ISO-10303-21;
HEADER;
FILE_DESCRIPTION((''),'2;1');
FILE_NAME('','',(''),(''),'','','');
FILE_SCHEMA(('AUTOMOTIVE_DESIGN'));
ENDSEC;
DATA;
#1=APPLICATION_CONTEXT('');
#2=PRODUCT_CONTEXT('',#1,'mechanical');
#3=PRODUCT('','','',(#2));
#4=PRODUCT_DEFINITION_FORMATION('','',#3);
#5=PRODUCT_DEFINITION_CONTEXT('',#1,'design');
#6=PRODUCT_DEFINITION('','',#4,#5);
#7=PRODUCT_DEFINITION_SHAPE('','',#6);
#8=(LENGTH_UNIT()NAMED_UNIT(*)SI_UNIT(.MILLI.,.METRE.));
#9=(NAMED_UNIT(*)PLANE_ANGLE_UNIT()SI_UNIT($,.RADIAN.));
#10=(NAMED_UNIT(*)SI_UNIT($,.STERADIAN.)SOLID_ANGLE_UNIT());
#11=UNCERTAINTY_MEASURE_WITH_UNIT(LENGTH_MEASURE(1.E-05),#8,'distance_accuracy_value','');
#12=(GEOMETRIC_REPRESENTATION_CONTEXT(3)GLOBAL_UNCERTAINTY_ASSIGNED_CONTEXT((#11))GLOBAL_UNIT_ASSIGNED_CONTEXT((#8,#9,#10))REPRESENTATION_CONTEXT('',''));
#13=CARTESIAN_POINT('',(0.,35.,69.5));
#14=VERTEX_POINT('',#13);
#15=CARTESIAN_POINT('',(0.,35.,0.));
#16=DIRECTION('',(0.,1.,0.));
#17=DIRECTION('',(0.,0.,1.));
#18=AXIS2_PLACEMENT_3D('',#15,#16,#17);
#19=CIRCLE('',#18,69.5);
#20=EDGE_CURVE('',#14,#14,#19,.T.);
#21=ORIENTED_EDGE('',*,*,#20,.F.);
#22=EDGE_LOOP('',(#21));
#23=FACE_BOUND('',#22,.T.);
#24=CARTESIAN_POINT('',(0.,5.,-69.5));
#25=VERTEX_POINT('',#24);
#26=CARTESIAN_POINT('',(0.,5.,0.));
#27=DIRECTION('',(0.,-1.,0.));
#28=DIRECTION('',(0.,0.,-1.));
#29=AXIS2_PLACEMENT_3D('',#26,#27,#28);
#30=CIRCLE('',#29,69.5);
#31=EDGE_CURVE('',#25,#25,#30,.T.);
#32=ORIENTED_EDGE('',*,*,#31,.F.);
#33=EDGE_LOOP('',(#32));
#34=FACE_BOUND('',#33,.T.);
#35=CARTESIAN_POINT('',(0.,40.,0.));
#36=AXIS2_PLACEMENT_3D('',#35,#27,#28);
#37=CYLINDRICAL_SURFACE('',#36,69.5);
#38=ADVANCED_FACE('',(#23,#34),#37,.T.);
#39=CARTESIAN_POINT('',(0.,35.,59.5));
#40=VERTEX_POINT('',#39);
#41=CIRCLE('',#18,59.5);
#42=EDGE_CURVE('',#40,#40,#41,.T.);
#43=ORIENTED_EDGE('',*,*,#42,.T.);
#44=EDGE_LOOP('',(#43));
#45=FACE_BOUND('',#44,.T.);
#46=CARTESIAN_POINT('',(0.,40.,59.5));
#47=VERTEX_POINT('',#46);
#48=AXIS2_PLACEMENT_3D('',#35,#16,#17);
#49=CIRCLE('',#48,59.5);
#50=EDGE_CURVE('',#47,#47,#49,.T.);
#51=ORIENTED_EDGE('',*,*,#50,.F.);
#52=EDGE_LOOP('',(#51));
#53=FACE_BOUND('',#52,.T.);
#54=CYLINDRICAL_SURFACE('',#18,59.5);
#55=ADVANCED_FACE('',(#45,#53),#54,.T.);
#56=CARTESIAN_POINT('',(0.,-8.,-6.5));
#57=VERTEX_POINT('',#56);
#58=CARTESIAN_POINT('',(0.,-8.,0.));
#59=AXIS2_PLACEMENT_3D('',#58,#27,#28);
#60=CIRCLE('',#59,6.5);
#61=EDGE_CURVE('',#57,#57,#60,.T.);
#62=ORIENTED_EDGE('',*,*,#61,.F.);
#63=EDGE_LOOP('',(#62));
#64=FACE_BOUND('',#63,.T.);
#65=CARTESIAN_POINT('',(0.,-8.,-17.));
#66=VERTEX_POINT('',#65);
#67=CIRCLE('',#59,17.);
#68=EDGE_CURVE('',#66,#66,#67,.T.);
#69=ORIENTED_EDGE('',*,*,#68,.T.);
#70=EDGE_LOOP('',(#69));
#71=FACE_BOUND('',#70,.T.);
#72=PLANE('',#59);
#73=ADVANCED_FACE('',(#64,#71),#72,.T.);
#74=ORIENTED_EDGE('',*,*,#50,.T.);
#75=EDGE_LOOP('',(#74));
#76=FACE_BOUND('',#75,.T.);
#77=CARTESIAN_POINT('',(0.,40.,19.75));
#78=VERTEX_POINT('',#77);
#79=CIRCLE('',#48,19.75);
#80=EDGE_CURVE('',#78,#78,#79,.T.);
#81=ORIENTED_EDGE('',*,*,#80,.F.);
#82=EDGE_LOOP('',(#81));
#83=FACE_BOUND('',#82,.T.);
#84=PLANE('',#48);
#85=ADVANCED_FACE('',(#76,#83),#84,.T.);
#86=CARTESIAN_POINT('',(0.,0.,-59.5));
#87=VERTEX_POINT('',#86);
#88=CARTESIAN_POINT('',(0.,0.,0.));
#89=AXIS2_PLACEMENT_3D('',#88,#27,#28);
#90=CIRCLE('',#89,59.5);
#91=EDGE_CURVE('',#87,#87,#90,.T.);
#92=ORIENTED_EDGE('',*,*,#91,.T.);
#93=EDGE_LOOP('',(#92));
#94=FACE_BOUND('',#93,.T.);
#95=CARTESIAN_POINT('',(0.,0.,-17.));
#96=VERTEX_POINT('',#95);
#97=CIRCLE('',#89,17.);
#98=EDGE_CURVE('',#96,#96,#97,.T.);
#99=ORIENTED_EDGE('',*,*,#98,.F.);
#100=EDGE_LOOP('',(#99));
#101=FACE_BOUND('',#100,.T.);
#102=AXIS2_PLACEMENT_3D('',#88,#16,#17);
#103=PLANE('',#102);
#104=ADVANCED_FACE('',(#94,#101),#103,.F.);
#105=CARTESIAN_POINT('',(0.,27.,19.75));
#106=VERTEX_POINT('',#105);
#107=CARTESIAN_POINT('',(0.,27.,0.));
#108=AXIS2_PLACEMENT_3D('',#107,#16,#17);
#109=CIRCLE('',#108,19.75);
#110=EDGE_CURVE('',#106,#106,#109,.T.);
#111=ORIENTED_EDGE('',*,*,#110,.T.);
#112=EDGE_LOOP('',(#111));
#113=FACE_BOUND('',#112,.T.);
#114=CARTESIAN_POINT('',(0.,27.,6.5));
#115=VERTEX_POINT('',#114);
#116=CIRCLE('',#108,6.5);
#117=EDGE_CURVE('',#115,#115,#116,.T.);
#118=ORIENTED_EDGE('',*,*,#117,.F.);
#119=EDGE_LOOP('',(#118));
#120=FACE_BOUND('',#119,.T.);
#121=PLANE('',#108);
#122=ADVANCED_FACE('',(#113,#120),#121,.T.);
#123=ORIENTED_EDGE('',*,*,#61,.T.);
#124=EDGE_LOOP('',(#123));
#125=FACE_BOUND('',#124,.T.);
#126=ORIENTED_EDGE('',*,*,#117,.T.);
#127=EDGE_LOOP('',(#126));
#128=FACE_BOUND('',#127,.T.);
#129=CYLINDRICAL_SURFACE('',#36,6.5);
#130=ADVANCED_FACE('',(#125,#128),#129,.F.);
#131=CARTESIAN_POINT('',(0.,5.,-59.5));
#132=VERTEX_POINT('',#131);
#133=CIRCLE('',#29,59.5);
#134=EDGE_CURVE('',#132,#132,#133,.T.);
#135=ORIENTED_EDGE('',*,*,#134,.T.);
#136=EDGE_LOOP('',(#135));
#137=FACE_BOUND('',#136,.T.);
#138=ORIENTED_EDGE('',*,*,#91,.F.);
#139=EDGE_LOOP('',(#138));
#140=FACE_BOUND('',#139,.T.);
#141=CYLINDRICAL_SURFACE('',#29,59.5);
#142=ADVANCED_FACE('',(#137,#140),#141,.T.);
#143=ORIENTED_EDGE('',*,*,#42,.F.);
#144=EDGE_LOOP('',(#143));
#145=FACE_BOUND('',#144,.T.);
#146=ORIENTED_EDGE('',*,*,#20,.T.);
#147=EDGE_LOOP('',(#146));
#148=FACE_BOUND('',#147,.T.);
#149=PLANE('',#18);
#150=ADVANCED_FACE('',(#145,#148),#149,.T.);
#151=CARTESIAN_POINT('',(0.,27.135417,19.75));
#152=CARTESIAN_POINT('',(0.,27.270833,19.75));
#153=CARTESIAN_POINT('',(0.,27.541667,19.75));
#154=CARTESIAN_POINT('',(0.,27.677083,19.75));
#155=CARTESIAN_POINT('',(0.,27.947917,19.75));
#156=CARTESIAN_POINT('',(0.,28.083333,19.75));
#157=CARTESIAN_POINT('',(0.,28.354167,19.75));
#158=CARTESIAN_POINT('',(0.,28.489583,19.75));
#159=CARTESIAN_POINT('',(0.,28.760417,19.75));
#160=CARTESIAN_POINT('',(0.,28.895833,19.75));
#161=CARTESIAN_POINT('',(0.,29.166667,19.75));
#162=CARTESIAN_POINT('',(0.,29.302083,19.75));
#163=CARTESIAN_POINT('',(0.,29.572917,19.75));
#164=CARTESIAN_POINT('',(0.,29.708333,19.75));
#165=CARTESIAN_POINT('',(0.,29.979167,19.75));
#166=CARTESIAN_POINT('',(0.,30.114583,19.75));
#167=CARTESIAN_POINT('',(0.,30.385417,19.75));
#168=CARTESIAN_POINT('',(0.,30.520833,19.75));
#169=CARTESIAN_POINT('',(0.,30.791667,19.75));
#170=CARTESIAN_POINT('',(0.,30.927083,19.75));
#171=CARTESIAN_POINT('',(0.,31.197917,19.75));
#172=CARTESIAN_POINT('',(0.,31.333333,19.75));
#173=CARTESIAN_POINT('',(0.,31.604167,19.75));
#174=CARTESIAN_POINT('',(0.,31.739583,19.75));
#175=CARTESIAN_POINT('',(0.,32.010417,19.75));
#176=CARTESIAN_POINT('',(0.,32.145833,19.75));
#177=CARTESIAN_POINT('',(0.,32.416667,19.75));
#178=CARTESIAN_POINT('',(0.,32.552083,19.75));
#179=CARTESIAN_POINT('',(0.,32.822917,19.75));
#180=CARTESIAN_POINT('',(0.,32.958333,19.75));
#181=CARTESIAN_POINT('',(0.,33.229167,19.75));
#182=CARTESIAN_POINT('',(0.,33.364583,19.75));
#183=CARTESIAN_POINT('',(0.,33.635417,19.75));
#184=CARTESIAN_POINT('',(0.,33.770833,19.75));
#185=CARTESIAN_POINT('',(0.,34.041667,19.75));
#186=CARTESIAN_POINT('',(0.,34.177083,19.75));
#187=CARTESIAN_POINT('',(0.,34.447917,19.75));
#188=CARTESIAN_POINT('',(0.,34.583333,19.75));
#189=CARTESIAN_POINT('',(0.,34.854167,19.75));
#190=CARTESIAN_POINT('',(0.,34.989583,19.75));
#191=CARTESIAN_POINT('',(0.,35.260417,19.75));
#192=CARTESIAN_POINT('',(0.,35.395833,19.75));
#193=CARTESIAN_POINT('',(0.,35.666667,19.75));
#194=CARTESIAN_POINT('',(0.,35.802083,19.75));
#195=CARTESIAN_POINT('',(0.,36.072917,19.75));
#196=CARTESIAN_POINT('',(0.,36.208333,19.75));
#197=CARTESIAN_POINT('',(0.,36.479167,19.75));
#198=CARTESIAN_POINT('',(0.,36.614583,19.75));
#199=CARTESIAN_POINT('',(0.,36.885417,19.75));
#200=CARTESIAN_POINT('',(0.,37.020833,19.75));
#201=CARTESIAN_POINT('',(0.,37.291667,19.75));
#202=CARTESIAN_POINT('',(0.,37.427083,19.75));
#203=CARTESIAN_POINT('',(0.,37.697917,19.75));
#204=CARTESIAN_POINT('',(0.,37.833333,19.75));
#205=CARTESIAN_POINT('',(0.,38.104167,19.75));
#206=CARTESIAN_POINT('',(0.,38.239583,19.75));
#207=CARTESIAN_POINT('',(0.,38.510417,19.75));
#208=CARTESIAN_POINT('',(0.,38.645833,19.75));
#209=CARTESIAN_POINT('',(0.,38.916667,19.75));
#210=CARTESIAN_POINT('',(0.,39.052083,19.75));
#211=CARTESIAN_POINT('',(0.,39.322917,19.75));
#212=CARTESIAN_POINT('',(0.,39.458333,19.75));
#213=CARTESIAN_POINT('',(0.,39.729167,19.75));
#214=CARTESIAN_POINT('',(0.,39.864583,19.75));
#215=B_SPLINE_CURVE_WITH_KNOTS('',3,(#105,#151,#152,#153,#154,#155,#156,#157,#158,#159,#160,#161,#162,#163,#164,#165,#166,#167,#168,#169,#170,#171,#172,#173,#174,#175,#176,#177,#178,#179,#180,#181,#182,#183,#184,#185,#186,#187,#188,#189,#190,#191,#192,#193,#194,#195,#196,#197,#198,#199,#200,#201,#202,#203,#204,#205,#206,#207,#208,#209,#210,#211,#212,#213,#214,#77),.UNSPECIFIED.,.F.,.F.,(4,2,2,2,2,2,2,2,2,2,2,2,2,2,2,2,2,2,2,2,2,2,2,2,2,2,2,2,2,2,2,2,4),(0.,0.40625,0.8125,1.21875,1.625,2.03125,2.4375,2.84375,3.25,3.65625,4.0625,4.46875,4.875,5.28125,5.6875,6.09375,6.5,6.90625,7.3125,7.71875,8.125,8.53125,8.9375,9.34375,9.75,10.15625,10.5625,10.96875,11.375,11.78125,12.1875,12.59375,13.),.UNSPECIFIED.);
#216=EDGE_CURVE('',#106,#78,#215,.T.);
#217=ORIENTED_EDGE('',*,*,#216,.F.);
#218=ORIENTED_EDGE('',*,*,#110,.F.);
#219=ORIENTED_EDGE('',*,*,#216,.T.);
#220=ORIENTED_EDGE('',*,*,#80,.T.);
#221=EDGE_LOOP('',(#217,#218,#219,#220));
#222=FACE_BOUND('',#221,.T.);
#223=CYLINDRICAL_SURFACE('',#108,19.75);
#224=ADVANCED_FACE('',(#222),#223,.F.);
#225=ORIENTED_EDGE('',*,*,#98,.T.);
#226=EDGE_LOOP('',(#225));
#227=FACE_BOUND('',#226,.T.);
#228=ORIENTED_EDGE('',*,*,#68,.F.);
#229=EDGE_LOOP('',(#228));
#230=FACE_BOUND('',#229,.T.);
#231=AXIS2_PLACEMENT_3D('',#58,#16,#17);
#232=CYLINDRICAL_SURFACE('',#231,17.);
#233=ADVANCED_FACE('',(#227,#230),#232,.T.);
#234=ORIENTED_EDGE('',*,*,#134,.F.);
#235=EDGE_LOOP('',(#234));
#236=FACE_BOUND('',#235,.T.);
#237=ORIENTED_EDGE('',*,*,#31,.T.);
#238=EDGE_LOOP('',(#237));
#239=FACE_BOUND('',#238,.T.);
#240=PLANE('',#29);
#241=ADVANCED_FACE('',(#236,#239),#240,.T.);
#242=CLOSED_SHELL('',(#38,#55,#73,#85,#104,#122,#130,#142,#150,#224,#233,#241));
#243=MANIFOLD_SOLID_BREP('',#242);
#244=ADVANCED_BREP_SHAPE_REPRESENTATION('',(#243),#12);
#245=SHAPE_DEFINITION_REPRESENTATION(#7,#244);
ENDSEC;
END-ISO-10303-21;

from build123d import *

# Parameters (mm, degrees)
SKETCH1_R           = 69.5
BOSS_EXTRUDE1_DEPTH = 40
CUT_EXTRUDE1_START  = -5
SKETCH2_R           = 69.5
SKETCH2_R_2         = 59.5
CUT_EXTRUDE1_DEPTH  = 5
SKETCH3_R           = 69.5
SKETCH3_R_2         = 59.5
CUT_EXTRUDE2_DEPTH  = 5
SKETCH4_R           = 19.75
CUT_EXTRUDE4_DEPTH  = 13
SKETCH5_R           = 17
BOSS_EXTRUDE2_DEPTH = 8
SKETCH6_R           = 6.5
CUT_EXTRUDE5_DEPTH  = 110.382356895


with BuildPart() as part:
    # Sketch1 → Boss-Extrude1 (new body)
    with BuildSketch(Plane(origin=(0, 0, 0), x_dir=(1, 0, 0), z_dir=(0, 1, 0))):
        with Locations(Location((0, 0, 0), (0, 0, 270))):
            Circle(SKETCH1_R)
    extrude(amount=BOSS_EXTRUDE1_DEPTH)

    # Sketch2 → Cut-Extrude1 (cut)
    with BuildSketch(Plane(origin=(0, 40, 0), x_dir=(1, 0, 0), z_dir=(0, 1, 0)).offset(CUT_EXTRUDE1_START)):
        with Locations(Location((0, 0, 0), (0, 0, 270))):
            Circle(SKETCH2_R)
        with Locations(Location((0, 0, 0), (0, 0, 270))):
            Circle(SKETCH2_R_2, mode=Mode.SUBTRACT)
    extrude(amount=CUT_EXTRUDE1_DEPTH, mode=Mode.SUBTRACT)

    # Sketch3 → Cut-Extrude2 (cut)
    with BuildSketch(Plane.XZ):
        with Locations(Location((0, 0, 0), (0, 0, 270))):
            Circle(SKETCH3_R)
        with Locations(Location((0, 0, 0), (0, 0, 90))):
            Circle(SKETCH3_R_2, mode=Mode.SUBTRACT)
    extrude(amount=-CUT_EXTRUDE2_DEPTH, mode=Mode.SUBTRACT)

    # Sketch4 → Cut-Extrude4 (cut)
    with BuildSketch(Plane(origin=(0, 40, 0), x_dir=(1, 0, 0), z_dir=(0, 1, 0))):
        with Locations(Location((0, 0, 0), (0, 0, 270))):
            Circle(SKETCH4_R)
    extrude(amount=-CUT_EXTRUDE4_DEPTH, mode=Mode.SUBTRACT)

    # Sketch5 → Boss-Extrude2 (add)
    with BuildSketch(Plane.XZ):
        with Locations(Location((0, 0, 0), (0, 0, 270))):
            Circle(SKETCH5_R)
    extrude(amount=BOSS_EXTRUDE2_DEPTH)

    # Sketch6 → Cut-Extrude5 (cut, through all)
    with BuildSketch(Plane.XZ.offset(8)):
        with Locations(Location((0, 0, 0), (0, 0, 270))):
            Circle(SKETCH6_R)
    extrude(amount=-CUT_EXTRUDE5_DEPTH, mode=Mode.SUBTRACT)


solid = part.part
